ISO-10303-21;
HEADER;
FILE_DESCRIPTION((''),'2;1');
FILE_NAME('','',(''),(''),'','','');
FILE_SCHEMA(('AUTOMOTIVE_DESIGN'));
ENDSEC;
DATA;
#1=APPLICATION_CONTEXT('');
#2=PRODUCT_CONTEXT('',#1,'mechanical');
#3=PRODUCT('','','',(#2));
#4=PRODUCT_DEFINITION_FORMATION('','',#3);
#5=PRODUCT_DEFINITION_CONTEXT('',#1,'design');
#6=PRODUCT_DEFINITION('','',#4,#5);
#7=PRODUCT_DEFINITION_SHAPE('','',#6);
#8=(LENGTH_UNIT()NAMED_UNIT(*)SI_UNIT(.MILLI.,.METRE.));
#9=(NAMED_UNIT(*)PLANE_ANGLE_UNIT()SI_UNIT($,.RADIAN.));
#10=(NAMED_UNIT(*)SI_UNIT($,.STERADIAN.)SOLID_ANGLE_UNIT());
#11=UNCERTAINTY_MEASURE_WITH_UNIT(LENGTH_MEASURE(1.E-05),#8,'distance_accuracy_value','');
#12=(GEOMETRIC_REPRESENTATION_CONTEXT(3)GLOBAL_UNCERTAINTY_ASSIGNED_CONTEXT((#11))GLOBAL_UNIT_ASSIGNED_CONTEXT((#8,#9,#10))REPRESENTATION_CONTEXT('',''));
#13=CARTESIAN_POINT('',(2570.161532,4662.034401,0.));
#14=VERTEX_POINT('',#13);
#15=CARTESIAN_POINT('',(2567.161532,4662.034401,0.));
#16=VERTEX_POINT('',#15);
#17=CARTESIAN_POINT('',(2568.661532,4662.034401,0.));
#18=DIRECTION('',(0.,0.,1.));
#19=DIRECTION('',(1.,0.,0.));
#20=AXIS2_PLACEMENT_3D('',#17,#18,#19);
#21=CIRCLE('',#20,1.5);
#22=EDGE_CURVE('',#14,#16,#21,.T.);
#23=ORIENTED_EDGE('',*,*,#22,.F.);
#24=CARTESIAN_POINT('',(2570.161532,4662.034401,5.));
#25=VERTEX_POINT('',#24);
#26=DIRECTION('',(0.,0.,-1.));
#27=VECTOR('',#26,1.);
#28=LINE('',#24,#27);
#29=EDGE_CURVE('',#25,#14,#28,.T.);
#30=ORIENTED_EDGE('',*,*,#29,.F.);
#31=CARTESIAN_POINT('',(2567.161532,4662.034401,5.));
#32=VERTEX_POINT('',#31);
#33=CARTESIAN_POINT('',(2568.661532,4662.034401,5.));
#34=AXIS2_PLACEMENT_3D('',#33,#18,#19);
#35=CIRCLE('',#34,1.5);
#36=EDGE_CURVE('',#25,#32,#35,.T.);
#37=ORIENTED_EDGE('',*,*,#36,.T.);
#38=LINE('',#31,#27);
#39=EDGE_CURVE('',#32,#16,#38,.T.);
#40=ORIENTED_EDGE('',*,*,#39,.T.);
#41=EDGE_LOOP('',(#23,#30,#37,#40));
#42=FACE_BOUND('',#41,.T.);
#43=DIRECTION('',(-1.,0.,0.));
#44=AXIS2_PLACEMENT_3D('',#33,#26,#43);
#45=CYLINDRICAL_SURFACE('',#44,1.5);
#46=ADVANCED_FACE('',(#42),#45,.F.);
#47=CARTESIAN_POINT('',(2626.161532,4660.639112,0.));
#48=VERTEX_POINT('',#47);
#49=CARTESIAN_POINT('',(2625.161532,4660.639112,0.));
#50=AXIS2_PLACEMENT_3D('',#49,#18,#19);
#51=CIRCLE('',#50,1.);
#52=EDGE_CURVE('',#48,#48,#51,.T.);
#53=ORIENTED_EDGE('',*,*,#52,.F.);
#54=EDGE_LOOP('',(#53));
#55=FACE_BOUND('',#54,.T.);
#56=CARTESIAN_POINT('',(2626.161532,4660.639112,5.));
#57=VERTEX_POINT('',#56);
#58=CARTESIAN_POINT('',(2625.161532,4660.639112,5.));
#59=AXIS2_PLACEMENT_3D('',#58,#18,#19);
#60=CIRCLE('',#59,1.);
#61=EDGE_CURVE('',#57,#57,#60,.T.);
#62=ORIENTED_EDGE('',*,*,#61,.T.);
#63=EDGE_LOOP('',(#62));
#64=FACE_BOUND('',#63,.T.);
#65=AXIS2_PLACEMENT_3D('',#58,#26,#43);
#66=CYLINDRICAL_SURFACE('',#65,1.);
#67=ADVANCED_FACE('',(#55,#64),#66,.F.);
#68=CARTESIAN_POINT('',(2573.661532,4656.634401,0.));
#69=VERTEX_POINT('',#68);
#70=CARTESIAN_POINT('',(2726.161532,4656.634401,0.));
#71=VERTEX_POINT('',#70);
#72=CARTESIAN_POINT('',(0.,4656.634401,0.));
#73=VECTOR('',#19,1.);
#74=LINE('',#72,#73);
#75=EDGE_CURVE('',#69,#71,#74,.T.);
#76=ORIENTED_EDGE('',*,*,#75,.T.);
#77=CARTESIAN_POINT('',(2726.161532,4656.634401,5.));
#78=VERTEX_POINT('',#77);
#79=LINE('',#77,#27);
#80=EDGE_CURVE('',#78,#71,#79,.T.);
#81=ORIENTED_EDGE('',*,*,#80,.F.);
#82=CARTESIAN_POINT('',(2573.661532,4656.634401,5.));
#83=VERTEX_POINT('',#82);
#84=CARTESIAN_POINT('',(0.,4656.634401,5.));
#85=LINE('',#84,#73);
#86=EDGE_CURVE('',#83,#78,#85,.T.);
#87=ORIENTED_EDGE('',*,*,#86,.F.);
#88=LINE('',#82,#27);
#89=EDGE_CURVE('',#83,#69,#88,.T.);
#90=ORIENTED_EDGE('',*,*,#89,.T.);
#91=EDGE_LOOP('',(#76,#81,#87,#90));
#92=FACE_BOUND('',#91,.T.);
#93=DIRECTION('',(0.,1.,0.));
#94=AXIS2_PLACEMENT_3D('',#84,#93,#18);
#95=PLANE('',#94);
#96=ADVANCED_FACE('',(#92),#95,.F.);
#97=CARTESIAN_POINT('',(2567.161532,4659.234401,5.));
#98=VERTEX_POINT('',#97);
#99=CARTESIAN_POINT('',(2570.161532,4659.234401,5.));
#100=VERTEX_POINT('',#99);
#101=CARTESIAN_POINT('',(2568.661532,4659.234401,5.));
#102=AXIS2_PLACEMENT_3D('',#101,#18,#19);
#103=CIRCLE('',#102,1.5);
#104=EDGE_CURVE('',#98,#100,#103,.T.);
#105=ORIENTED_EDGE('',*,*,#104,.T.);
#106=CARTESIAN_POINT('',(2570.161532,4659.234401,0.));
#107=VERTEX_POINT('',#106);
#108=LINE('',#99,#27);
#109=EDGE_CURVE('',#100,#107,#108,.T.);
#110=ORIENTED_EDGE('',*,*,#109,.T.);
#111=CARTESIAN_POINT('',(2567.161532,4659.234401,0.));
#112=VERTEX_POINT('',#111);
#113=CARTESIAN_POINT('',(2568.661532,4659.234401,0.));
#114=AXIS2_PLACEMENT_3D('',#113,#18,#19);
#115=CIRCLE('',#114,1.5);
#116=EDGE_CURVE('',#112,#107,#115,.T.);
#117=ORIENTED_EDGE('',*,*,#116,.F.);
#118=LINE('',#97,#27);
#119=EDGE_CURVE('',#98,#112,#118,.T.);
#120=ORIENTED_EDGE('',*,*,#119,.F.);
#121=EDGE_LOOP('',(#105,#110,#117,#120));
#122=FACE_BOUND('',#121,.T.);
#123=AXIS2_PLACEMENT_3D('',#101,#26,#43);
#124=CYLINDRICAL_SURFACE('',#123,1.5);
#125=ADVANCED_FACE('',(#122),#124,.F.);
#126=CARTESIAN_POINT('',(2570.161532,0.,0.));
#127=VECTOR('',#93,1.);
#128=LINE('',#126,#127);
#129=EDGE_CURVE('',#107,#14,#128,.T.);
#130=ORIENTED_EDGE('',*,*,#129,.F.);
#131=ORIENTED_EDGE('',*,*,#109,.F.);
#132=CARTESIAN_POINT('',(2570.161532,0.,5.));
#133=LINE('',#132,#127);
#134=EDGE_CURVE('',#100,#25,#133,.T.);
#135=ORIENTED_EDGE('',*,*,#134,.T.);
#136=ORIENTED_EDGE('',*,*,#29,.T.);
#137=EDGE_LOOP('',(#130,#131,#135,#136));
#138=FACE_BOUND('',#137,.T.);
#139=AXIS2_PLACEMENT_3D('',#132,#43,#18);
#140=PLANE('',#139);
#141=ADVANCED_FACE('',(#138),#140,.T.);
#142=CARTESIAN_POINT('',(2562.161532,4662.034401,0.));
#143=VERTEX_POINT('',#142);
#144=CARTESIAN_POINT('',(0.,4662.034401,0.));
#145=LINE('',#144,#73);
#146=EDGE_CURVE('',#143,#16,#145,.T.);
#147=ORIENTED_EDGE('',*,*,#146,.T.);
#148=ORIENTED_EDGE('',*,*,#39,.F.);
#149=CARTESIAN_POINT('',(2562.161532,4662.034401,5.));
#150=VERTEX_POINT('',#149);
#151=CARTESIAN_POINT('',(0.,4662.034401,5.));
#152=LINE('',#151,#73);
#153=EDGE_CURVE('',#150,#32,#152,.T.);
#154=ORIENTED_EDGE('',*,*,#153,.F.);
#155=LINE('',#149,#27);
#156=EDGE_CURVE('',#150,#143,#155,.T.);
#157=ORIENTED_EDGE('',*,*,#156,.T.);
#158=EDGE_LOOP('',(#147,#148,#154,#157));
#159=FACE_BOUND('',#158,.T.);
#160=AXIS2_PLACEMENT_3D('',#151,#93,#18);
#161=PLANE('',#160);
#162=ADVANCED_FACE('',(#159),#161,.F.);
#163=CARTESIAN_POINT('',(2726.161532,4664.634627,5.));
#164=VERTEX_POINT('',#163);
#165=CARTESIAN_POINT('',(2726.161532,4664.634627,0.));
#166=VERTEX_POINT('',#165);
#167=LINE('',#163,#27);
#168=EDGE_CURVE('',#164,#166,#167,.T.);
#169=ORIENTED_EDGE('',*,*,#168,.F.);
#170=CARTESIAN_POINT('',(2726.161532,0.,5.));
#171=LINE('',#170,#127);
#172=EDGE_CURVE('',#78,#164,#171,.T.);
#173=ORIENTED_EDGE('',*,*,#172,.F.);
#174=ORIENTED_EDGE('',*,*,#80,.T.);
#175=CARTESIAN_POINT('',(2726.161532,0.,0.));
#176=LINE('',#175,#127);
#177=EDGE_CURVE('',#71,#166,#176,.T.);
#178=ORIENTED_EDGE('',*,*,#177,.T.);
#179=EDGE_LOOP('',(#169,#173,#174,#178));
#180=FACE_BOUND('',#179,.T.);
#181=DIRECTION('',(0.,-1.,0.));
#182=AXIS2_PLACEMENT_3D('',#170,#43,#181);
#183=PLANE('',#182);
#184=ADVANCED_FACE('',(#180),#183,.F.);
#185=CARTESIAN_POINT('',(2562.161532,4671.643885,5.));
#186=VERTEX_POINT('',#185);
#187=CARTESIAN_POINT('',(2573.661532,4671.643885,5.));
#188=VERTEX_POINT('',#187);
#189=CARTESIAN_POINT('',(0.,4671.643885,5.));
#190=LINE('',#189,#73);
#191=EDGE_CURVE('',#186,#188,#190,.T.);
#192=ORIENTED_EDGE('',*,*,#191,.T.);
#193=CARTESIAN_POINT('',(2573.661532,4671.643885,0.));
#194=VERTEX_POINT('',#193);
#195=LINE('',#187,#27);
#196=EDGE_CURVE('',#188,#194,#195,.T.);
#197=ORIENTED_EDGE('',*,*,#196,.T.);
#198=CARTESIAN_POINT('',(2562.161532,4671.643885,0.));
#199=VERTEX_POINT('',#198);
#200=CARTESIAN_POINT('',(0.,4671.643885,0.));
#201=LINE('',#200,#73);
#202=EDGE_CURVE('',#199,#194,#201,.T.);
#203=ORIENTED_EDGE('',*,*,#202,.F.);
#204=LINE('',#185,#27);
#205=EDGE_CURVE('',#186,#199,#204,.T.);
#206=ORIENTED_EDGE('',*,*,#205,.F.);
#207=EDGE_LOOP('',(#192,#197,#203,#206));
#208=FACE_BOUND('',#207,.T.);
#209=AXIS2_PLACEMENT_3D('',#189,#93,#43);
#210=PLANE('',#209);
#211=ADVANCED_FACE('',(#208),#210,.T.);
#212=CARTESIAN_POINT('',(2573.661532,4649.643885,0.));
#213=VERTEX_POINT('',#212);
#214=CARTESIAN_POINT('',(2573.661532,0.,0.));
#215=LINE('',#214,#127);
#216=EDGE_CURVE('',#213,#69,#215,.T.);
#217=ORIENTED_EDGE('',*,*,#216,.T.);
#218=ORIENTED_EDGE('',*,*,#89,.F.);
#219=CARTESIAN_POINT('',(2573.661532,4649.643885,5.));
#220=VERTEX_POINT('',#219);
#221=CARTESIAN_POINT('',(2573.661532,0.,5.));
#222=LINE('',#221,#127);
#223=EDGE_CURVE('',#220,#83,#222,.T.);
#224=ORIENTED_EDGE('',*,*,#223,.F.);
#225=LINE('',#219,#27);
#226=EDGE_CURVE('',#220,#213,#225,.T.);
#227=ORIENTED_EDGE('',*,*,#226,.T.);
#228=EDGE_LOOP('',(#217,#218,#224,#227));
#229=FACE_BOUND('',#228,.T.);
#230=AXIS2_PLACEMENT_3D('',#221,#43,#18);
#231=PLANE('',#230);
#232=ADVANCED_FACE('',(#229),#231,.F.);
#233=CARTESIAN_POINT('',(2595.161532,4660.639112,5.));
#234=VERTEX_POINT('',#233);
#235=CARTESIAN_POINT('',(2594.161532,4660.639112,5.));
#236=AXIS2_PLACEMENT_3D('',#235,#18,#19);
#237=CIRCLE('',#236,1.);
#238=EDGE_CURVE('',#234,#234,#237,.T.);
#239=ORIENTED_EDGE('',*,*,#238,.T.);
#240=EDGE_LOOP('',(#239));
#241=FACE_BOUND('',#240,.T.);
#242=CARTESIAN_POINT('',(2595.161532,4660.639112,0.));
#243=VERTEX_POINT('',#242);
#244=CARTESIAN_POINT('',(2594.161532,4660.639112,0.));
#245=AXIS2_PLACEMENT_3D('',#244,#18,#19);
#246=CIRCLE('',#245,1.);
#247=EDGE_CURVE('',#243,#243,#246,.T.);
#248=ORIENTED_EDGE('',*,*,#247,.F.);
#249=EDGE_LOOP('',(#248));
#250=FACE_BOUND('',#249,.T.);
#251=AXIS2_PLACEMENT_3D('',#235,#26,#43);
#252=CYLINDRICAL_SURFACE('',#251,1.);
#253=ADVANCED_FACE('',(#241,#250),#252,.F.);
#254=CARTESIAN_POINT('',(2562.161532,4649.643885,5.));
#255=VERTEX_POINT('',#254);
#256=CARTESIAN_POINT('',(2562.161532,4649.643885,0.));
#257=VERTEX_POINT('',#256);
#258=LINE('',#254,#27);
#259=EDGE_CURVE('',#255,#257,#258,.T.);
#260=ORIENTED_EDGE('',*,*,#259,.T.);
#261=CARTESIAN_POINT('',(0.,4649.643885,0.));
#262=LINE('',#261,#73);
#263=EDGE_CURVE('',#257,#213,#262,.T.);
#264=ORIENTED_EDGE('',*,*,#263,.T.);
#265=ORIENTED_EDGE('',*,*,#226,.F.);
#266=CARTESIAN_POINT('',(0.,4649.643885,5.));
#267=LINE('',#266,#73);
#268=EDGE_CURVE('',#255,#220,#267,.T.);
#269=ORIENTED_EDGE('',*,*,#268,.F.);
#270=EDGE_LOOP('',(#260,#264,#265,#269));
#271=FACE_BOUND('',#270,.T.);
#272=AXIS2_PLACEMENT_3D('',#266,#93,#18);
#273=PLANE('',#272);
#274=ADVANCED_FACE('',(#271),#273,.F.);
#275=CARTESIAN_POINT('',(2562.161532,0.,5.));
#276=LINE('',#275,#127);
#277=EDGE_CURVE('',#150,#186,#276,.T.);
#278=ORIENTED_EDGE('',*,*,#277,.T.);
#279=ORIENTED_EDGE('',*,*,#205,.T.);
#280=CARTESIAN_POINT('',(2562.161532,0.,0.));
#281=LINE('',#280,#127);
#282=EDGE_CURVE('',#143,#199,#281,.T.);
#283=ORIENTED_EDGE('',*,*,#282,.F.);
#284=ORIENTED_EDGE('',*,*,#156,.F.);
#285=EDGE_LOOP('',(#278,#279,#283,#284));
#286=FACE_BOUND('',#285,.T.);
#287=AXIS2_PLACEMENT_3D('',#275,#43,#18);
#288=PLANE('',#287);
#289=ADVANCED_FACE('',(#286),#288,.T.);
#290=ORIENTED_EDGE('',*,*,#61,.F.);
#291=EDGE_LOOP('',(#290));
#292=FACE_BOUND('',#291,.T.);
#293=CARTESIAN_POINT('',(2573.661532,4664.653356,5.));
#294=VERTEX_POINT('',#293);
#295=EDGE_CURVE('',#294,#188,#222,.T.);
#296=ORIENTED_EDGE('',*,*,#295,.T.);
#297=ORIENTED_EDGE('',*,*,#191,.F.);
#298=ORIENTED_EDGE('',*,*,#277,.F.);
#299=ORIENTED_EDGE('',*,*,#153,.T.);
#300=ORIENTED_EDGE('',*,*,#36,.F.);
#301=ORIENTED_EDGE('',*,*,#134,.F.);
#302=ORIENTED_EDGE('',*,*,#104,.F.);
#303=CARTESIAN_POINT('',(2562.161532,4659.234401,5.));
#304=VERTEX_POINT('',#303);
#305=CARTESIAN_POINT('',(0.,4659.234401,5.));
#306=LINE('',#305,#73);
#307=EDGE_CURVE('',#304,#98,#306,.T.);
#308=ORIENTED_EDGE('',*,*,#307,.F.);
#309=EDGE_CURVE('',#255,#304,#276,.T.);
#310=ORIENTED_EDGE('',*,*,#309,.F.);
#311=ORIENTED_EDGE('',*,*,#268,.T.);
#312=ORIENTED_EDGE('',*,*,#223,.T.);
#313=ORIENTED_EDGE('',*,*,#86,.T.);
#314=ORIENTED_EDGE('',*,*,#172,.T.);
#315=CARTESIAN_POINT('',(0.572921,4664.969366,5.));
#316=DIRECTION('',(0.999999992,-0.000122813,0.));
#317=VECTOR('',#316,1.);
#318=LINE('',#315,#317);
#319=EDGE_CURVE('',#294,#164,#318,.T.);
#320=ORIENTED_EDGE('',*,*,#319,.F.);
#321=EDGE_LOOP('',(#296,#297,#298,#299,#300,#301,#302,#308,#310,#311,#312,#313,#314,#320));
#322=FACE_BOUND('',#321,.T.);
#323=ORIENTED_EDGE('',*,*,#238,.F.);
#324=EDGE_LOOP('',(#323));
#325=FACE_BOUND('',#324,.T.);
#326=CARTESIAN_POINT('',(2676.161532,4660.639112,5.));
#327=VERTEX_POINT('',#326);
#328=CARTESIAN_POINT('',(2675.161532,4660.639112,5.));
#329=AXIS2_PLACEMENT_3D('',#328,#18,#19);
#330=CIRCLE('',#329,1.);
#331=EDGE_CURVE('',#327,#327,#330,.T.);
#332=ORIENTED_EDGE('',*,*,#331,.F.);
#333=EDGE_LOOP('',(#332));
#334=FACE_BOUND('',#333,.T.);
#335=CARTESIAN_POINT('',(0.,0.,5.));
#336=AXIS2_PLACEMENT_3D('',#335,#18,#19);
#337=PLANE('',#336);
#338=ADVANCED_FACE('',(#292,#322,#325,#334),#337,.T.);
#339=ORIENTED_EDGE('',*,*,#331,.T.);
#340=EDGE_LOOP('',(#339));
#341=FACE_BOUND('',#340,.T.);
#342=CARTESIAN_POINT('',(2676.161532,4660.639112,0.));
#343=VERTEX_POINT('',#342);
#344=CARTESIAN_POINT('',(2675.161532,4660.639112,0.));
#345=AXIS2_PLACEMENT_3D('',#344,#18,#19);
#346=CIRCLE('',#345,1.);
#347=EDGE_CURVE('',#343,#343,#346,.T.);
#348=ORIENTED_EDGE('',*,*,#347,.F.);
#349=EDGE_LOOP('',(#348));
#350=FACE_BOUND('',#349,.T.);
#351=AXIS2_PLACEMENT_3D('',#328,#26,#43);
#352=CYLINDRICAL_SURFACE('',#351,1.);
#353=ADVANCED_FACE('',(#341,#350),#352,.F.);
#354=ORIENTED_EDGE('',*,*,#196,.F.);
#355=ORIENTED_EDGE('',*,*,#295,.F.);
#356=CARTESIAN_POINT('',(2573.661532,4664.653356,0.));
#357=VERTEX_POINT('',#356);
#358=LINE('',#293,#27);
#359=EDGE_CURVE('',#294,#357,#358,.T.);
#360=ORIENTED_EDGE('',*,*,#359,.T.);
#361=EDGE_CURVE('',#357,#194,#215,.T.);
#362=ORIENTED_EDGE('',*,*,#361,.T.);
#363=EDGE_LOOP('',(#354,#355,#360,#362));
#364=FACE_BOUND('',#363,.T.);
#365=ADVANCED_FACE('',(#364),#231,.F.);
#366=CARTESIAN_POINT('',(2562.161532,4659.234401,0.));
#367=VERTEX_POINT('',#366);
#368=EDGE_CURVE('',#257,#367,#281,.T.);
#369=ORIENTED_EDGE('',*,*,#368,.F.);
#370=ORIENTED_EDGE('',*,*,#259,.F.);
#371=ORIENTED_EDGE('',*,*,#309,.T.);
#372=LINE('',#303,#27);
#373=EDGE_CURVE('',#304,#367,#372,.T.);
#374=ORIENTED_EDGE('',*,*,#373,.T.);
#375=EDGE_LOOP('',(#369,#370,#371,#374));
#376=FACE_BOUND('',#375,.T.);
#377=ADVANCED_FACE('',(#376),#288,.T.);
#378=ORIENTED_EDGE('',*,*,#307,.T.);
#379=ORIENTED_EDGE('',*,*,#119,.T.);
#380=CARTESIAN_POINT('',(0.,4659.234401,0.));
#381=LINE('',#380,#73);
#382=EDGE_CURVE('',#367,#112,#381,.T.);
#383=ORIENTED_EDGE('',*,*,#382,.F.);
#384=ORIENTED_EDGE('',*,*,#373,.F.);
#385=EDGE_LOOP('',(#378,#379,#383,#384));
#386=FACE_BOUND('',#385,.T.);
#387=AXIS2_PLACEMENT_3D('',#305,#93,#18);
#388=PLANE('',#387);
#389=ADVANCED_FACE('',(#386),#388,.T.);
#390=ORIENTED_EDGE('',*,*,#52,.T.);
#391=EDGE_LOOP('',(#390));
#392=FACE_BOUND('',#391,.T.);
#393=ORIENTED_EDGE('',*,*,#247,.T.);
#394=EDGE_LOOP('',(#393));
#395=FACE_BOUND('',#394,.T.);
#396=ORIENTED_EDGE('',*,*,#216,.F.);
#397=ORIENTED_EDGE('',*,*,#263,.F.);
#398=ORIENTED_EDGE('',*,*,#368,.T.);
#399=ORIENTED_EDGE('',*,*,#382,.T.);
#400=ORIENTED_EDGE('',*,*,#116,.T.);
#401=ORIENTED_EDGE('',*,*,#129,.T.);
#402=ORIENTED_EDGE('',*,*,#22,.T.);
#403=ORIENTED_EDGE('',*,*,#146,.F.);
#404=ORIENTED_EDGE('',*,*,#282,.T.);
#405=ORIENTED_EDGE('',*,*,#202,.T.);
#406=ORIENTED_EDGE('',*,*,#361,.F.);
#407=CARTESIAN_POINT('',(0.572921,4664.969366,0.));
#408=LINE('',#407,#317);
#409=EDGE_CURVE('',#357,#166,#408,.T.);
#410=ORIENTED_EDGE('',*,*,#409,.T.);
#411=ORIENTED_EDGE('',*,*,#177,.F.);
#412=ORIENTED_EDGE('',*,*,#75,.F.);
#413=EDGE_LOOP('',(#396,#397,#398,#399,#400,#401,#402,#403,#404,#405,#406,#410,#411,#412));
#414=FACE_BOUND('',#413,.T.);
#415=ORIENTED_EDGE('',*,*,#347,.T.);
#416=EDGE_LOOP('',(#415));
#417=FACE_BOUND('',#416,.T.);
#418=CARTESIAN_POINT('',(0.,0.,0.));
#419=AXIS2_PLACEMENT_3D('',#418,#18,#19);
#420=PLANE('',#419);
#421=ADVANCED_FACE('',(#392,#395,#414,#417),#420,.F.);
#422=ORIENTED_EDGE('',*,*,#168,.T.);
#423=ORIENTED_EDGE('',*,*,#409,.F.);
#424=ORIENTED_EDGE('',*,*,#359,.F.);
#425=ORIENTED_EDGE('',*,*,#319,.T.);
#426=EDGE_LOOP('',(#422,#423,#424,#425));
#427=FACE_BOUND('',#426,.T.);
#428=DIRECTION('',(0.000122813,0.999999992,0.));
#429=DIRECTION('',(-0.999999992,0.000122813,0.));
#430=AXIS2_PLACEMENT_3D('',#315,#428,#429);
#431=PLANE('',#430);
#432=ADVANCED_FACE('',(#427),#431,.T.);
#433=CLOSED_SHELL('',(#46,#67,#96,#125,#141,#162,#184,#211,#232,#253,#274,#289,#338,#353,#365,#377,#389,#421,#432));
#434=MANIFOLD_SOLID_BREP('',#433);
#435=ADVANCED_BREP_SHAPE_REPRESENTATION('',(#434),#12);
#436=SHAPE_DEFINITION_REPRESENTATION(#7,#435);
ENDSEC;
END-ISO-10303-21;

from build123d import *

# Parameters (mm, degrees)
SKETCH_3_R      = 1
EXTRUDE_3_DEPTH = 5


with BuildPart() as part:
    # 草图3 → 凸台-拉伸3 (new body)
    with BuildSketch(Plane.XY):
        with BuildLine():
            Line((2726.161531979, 4664.634627263), (2573.661531979, 4664.653356317))
            Line((2573.661531979, 4664.653356317), (2573.661531979, 4671.643884914))
            Line((2573.661531979, 4671.643884914), (2562.161531979, 4671.643884914))
            Line((2562.161531979, 4671.643884914), (2562.161531979, 4662.034400913))
            Line((2562.161531979, 4662.034400913), (2567.161531979, 4662.034400913))
            ThreePointArc((2567.161531979, 4662.034400913), (2568.661531979, 4663.534400913), (2570.161531979, 4662.034400913))
            Line((2570.161531979, 4662.034400913), (2570.161531979, 4659.234400913))
            ThreePointArc((2570.161531979, 4659.234400913), (2568.661531979, 4657.734400913), (2567.161531979, 4659.234400913))
            Line((2567.161531979, 4659.234400913), (2562.161531979, 4659.234400913))
            Line((2562.161531979, 4659.234400913), (2562.161531979, 4649.791778919))
            Line((2562.161531979, 4649.791778919), (2562.161531979, 4649.643884914))
            Line((2562.161531979, 4649.643884914), (2573.661531979, 4649.643884914))
            Line((2573.661531979, 4649.643884914), (2573.661531979, 4656.634400913))
            Line((2573.661531979, 4656.634400913), (2726.161531979, 4656.634400913))
            Line((2726.161531979, 4656.634400913), (2726.161531979, 4664.634627263))
        make_face()
        with Locations((2594.161531979, 4660.639111823)):
            Circle(SKETCH_3_R, mode=Mode.SUBTRACT)
        with Locations((2625.161531979, 4660.639111823)):
            Circle(SKETCH_3_R, mode=Mode.SUBTRACT)
        with Locations((2675.161531979, 4660.639111823)):
            Circle(SKETCH_3_R, mode=Mode.SUBTRACT)
    extrude(amount=EXTRUDE_3_DEPTH)


solid = part.part
